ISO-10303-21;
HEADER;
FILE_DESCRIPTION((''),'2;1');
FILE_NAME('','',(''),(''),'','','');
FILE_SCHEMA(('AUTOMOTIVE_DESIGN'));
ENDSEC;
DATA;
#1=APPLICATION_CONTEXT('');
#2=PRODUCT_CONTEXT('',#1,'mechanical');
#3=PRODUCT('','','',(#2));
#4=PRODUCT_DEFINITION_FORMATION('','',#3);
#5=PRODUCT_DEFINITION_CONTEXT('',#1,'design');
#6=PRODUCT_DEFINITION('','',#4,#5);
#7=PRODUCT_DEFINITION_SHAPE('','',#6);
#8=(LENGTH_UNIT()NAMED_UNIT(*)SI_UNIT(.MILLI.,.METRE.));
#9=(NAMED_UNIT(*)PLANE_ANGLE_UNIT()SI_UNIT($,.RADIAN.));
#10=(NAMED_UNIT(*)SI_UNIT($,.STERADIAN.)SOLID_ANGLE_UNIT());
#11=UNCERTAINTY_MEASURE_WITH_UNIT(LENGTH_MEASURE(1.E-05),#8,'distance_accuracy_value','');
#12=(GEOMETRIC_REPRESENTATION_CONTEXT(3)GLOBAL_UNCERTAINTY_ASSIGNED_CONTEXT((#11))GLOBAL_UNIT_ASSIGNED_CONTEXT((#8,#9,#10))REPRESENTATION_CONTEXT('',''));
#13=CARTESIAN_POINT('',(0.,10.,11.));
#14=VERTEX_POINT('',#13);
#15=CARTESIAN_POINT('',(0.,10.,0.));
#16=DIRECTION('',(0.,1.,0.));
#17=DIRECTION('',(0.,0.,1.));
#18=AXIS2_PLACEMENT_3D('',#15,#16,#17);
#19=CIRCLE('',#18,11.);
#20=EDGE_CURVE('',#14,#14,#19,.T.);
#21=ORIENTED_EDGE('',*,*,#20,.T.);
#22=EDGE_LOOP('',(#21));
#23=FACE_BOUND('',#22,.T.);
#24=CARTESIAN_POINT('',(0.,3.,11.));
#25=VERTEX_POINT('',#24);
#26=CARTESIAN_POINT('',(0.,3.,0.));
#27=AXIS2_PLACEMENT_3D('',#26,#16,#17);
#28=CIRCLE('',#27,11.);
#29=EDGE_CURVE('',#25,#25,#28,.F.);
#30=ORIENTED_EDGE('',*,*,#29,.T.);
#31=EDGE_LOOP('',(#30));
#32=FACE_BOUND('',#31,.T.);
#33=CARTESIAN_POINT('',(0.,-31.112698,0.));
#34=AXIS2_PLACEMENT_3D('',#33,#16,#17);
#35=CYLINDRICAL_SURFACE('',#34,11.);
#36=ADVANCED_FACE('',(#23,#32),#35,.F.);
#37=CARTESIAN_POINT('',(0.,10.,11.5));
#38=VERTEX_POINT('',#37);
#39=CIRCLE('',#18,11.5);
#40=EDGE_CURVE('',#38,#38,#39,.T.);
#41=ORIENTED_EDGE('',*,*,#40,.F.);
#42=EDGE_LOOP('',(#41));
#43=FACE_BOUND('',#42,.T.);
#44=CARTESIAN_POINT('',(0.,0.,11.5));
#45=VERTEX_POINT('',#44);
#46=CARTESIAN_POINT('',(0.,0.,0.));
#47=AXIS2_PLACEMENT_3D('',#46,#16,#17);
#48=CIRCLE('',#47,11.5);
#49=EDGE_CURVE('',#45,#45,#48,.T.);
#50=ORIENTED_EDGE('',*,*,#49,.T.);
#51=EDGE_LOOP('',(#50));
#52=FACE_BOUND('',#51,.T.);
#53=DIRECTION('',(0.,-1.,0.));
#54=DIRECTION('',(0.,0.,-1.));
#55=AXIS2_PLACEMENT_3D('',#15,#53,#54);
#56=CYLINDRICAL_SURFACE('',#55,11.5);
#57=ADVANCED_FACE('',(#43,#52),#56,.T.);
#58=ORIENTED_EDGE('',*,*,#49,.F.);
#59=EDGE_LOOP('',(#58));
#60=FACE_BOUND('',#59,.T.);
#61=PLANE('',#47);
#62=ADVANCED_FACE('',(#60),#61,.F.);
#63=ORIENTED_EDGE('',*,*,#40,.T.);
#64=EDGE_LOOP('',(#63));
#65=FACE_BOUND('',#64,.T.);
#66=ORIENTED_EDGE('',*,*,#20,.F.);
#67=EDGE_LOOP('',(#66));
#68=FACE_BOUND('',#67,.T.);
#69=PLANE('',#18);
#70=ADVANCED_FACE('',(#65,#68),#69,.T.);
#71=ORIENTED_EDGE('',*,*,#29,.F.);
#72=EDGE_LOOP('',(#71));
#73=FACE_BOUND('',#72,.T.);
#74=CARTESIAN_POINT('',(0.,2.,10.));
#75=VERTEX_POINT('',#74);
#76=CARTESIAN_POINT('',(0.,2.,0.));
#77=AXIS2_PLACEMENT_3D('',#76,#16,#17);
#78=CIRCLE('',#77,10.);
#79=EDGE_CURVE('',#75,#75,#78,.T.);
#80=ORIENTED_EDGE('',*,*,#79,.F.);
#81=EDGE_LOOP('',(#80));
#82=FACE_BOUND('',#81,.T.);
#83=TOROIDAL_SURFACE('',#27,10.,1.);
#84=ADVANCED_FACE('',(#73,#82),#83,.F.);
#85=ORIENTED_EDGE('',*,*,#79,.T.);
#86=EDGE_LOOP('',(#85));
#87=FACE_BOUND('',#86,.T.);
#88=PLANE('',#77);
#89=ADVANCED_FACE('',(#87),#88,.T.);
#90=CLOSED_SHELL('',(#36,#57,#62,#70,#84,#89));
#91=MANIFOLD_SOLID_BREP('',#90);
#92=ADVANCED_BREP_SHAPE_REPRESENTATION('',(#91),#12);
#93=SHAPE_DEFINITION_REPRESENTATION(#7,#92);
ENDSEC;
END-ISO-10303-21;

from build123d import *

# Parameters (mm, degrees)
SKETCH1_R           = 11.5
BOSS_EXTRUDE1_DEPTH = 10
SKETCH2_R           = 11
CUT_EXTRUDE1_DEPTH  = 8
FILLET1_R           = 1


with BuildPart() as part:
    # Sketch1 → Boss-Extrude1 (new body)
    with BuildSketch(Plane(origin=(0, 0, 0), x_dir=(1, 0, 0), z_dir=(0, 1, 0))):
        with Locations(Location((0, 0, 0), (0, 0, 270))):
            Circle(SKETCH1_R)
    extrude(amount=BOSS_EXTRUDE1_DEPTH)

    # Sketch2 → Cut-Extrude1 (cut)
    with BuildSketch(Plane(origin=(0, 10, 0), x_dir=(1, 0, 0), z_dir=(0, 1, 0))):
        with Locations(Location((0, 0, 0), (0, 0, 270))):
            Circle(SKETCH2_R)
    extrude(amount=-CUT_EXTRUDE1_DEPTH, mode=Mode.SUBTRACT)

    # Fillet1
    fillet1_edges = [part.edges().sort_by_distance(p)[0] for p in [
        (0, 2, -11),
    ]]
    fillet(fillet1_edges, radius=FILLET1_R)


solid = part.part
